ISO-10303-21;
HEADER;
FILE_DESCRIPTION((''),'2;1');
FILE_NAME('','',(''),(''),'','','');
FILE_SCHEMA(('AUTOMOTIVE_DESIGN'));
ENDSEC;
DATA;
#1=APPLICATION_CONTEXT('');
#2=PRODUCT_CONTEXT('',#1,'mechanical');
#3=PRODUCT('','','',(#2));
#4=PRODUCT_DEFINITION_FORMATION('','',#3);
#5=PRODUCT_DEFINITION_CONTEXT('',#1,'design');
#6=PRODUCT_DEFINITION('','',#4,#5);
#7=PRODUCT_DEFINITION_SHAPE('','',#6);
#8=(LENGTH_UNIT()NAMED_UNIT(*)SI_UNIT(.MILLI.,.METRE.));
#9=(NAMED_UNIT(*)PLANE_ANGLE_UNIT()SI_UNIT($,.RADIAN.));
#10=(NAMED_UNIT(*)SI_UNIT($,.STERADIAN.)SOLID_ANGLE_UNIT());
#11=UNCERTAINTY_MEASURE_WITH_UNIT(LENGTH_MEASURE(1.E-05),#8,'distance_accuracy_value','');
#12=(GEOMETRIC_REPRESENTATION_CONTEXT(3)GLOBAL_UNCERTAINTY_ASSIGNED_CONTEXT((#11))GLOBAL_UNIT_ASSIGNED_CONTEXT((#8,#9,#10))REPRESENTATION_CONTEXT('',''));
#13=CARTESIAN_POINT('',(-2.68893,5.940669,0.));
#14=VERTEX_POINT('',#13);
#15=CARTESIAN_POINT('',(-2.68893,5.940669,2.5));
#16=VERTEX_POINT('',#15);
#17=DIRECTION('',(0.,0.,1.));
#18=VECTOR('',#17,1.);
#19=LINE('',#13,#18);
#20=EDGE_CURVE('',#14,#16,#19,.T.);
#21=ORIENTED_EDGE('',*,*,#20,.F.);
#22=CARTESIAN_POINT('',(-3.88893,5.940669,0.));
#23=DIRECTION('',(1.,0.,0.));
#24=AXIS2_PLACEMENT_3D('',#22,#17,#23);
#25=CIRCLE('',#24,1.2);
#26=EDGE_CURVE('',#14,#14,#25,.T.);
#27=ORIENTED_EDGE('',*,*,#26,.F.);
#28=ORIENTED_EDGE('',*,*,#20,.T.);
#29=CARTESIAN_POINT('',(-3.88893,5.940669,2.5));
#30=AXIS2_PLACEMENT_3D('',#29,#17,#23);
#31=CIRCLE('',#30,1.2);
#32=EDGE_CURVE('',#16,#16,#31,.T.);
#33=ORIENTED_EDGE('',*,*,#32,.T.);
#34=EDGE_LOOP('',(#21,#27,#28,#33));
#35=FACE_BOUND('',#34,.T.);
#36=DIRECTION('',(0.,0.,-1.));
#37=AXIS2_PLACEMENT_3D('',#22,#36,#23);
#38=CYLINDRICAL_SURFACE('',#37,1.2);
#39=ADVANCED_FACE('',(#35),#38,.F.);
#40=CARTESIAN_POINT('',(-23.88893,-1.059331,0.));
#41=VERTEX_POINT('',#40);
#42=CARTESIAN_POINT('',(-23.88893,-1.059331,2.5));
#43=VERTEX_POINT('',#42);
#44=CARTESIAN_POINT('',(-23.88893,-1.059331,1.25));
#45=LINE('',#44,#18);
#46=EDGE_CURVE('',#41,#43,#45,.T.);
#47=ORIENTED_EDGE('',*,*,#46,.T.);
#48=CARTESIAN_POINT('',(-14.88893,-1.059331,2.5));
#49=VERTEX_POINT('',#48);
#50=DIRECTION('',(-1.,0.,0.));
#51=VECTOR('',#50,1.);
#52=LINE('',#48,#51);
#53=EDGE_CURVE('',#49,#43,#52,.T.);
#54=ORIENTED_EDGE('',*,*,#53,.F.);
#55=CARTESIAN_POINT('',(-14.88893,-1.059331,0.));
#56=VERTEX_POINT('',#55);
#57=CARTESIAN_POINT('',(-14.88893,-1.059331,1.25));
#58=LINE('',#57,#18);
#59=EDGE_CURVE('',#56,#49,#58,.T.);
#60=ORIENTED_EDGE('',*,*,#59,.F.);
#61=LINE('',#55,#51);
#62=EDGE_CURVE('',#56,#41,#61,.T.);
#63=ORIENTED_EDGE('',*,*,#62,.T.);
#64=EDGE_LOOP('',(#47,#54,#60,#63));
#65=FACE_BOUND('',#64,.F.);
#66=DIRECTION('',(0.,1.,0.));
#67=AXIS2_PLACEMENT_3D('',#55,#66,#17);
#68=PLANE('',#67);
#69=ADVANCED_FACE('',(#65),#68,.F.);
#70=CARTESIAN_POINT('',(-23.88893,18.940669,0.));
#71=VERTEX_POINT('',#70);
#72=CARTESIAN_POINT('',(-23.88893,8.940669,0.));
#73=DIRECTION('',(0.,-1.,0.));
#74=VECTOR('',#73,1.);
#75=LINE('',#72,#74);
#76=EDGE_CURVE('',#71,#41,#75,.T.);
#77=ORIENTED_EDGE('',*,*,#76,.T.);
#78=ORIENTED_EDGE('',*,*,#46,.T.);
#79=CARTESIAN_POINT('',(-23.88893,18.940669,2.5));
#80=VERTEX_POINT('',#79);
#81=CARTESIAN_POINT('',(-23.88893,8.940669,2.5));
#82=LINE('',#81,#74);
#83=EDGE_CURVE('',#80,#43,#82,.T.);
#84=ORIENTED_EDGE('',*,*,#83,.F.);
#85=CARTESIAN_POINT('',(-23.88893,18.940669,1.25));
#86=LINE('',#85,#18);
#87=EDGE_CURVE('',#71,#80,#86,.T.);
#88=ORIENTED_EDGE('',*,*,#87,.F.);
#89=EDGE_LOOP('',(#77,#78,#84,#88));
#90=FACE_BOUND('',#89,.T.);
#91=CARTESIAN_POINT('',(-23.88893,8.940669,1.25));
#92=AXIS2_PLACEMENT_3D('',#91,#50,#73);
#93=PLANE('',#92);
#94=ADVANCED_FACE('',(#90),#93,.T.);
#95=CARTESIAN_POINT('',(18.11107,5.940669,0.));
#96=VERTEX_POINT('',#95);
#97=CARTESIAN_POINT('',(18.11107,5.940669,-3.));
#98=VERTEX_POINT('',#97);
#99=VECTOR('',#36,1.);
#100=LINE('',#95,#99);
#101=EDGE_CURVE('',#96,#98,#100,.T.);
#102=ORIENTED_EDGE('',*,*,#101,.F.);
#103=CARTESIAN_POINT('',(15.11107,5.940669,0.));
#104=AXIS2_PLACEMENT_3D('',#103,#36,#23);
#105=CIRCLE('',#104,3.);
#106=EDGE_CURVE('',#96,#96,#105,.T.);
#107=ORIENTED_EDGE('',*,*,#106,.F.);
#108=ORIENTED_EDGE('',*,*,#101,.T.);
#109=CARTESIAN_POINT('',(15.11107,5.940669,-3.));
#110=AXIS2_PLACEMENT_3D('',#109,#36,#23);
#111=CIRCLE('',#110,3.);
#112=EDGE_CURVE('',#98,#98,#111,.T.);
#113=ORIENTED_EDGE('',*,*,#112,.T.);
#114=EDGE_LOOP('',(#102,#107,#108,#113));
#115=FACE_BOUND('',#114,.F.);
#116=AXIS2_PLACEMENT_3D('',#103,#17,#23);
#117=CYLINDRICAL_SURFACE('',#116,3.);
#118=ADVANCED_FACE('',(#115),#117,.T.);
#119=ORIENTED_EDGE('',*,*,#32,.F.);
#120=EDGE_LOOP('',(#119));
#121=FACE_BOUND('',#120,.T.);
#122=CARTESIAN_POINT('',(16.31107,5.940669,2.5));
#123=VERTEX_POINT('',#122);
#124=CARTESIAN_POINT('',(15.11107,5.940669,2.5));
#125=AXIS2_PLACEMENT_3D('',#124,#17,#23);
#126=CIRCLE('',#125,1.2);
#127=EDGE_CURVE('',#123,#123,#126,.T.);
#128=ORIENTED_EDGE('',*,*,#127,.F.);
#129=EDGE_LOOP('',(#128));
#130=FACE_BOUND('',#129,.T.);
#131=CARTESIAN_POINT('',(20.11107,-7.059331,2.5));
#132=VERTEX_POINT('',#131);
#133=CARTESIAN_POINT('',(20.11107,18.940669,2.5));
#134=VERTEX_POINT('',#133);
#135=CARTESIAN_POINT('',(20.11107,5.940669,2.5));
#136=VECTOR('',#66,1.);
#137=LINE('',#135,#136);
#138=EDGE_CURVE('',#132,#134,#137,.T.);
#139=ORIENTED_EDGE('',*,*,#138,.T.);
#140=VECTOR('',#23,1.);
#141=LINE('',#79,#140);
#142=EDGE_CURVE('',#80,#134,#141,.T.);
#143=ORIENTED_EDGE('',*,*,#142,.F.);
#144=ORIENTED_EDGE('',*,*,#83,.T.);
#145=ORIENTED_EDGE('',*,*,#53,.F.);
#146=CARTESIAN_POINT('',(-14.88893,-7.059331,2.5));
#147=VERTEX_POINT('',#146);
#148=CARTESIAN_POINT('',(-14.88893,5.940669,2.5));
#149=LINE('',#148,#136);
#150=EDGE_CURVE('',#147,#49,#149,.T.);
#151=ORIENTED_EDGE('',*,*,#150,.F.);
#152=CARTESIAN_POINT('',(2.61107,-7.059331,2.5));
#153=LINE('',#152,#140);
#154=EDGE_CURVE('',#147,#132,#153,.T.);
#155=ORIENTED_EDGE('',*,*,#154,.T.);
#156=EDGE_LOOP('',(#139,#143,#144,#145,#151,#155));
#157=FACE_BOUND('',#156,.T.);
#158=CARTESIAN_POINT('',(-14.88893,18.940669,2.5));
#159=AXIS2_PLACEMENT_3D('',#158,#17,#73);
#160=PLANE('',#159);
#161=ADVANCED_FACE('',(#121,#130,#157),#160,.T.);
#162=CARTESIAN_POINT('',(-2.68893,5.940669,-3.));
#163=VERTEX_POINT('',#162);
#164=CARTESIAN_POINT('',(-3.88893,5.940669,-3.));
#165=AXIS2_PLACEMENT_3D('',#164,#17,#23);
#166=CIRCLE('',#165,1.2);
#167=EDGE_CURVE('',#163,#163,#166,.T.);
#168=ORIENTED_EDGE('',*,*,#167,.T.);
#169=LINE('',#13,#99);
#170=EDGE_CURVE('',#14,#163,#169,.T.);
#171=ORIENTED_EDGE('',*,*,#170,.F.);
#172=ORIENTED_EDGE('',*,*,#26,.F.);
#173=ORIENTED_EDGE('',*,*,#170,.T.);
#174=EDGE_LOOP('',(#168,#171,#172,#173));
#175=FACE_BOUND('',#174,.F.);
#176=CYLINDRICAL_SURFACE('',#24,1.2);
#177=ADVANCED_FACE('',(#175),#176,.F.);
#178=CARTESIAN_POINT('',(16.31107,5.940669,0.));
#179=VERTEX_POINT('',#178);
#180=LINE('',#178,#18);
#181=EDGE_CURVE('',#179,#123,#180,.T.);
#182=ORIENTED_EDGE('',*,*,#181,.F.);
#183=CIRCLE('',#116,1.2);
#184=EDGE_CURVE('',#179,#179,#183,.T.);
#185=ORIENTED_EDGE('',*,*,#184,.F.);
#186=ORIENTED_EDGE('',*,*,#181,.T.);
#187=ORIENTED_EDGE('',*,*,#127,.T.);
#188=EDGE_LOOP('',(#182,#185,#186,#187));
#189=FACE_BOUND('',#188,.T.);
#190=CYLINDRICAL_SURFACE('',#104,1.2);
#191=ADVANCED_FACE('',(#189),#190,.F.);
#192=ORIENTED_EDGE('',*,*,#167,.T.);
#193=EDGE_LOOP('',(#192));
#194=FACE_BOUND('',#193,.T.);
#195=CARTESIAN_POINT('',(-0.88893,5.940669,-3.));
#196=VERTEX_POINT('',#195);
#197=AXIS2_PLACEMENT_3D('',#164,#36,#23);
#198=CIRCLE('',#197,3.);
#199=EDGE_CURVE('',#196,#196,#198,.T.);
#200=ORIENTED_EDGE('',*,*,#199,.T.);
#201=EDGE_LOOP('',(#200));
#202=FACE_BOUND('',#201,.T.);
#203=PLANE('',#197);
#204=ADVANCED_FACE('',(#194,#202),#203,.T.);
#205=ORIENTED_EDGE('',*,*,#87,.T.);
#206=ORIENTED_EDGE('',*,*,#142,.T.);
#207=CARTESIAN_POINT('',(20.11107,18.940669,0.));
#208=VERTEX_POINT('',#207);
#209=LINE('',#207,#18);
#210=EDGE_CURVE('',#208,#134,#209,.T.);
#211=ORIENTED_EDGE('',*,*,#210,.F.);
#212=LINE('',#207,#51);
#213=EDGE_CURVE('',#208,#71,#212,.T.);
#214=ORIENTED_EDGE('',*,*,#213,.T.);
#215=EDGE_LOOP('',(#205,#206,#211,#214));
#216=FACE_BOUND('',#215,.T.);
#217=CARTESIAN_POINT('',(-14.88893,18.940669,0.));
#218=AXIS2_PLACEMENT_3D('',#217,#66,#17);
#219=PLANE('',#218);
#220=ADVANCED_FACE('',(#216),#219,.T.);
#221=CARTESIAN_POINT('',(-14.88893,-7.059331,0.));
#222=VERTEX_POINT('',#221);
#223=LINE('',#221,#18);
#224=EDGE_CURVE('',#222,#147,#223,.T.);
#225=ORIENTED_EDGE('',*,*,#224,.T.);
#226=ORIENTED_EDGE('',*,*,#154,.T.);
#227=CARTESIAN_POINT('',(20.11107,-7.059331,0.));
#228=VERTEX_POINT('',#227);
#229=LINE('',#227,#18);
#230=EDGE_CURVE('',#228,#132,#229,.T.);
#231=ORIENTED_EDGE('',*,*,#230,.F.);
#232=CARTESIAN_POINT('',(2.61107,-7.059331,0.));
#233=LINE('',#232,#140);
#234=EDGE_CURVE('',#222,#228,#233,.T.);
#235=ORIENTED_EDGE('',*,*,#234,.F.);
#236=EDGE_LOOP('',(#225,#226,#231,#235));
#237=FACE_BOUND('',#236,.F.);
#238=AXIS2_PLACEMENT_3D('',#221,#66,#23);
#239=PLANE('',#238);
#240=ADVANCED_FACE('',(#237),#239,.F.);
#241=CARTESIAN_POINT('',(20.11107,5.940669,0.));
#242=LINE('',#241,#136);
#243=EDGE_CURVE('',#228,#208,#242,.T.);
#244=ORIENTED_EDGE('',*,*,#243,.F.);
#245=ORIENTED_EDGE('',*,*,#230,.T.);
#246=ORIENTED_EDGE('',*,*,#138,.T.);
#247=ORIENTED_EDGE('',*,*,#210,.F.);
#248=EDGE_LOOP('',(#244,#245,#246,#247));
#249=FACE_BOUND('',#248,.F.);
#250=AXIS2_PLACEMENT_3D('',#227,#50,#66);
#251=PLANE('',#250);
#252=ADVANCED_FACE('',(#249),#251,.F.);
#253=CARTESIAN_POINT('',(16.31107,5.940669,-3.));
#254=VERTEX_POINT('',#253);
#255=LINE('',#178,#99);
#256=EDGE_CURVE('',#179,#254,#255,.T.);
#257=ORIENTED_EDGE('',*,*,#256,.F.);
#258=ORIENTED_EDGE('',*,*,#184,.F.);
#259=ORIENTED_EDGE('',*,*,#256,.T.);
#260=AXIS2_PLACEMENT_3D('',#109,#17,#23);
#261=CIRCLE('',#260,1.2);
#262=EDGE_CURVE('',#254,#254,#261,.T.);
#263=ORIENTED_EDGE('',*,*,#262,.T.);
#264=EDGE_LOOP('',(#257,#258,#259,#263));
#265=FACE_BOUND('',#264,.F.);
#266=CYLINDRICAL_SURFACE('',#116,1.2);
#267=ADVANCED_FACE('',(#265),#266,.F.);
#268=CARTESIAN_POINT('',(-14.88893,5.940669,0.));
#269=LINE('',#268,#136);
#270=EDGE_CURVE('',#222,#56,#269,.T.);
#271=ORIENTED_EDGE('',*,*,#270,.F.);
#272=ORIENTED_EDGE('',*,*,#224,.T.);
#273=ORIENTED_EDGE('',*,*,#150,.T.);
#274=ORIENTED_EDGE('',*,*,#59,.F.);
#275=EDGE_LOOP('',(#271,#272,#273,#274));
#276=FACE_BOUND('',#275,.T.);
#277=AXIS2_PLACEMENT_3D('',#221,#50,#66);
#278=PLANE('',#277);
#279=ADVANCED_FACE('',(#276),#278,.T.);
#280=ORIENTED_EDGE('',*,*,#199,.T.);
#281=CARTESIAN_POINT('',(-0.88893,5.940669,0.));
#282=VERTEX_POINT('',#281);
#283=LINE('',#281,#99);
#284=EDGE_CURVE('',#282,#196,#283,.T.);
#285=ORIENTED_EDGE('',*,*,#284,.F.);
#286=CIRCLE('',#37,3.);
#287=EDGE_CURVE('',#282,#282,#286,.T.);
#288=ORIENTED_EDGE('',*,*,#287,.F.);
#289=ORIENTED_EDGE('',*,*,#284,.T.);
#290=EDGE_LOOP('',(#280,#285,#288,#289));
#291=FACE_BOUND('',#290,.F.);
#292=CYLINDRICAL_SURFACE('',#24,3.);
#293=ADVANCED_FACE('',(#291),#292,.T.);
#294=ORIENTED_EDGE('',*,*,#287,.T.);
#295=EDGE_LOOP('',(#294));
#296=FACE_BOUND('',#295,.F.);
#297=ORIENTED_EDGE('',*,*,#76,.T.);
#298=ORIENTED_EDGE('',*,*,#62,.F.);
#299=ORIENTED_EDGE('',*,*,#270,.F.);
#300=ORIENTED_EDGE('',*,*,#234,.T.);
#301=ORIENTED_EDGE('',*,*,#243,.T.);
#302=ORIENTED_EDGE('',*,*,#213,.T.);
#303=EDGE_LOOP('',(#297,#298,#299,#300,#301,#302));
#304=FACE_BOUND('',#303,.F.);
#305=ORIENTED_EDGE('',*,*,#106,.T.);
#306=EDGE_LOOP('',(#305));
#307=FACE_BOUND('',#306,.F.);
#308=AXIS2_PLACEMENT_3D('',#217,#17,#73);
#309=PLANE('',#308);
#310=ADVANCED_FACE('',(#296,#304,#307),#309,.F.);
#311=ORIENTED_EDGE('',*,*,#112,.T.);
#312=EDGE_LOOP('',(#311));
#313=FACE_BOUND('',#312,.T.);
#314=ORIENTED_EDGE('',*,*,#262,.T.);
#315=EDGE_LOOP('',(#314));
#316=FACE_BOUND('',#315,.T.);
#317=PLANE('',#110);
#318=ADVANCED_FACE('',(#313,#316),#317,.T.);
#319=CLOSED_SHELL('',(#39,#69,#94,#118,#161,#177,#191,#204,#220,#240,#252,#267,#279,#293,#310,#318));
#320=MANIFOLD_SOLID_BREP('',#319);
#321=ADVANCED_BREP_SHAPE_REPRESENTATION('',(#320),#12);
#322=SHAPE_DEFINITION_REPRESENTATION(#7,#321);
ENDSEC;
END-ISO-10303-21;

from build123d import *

# Parameters (mm, degrees)
F0_W      = 35
F0_H      = 26
F0_R      = 1.2
F1_DEPTH  = 2.5
F2_R      = 3
F3_DEPTH  = 3
F3_FACE_R = 1.2
F4_DEPTH  = 25
F5_DEPTH  = 25
F6_W      = 20
F6_H      = 2.5
F7_DEPTH  = 9


with BuildPart() as f1:
    # F0 (on Top) → F1 (new body)
    with BuildSketch(Plane.XY):
        with Locations((2.61107, 5.940669)):
            Rectangle(F0_W, F0_H)
        with Locations((-3.88893, 5.940669)):
            Circle(F0_R, mode=Mode.SUBTRACT)
        with Locations((15.11107, 5.940669)):
            Circle(F0_R, mode=Mode.SUBTRACT)
    extrude(amount=F1_DEPTH)

    # F2 (on face) → F3 (join)
    with BuildSketch(Plane(origin=(0, 0, 0), x_dir=(1, 0, 0), z_dir=(0, 0, -1))):
        with Locations((-3.88893, -5.940669)):
            Circle(F2_R)
        with Locations((15.11107, -5.940669)):
            Circle(F2_R)
    extrude(amount=F3_DEPTH)

    # F3_face (on face) → F4 (cut)
    with BuildSketch(Plane(origin=(-3.88893, 5.940669, 0), x_dir=(1, 0, 0), z_dir=(0, 0, 1))):
        Circle(F3_FACE_R)
    extrude(amount=-F4_DEPTH, mode=Mode.SUBTRACT)

    # F3_face (on face) → F5 (cut)
    with BuildSketch(Plane(origin=(-3.88893, 5.940669, 0), x_dir=(1, 0, 0), z_dir=(0, 0, 1))):
        with Locations((19, 0)):
            Circle(F3_FACE_R)
    extrude(amount=-F5_DEPTH, mode=Mode.SUBTRACT)

    # F6 (on face) → F7 (join)
    with BuildSketch(Plane(origin=(-14.88893, 0, 0), x_dir=(0, -1, 0), z_dir=(-1, 0, 0))):
        with Locations((-8.940669, 1.25)):
            Rectangle(F6_W, F6_H)
    extrude(amount=F7_DEPTH)


solid = f1.part
